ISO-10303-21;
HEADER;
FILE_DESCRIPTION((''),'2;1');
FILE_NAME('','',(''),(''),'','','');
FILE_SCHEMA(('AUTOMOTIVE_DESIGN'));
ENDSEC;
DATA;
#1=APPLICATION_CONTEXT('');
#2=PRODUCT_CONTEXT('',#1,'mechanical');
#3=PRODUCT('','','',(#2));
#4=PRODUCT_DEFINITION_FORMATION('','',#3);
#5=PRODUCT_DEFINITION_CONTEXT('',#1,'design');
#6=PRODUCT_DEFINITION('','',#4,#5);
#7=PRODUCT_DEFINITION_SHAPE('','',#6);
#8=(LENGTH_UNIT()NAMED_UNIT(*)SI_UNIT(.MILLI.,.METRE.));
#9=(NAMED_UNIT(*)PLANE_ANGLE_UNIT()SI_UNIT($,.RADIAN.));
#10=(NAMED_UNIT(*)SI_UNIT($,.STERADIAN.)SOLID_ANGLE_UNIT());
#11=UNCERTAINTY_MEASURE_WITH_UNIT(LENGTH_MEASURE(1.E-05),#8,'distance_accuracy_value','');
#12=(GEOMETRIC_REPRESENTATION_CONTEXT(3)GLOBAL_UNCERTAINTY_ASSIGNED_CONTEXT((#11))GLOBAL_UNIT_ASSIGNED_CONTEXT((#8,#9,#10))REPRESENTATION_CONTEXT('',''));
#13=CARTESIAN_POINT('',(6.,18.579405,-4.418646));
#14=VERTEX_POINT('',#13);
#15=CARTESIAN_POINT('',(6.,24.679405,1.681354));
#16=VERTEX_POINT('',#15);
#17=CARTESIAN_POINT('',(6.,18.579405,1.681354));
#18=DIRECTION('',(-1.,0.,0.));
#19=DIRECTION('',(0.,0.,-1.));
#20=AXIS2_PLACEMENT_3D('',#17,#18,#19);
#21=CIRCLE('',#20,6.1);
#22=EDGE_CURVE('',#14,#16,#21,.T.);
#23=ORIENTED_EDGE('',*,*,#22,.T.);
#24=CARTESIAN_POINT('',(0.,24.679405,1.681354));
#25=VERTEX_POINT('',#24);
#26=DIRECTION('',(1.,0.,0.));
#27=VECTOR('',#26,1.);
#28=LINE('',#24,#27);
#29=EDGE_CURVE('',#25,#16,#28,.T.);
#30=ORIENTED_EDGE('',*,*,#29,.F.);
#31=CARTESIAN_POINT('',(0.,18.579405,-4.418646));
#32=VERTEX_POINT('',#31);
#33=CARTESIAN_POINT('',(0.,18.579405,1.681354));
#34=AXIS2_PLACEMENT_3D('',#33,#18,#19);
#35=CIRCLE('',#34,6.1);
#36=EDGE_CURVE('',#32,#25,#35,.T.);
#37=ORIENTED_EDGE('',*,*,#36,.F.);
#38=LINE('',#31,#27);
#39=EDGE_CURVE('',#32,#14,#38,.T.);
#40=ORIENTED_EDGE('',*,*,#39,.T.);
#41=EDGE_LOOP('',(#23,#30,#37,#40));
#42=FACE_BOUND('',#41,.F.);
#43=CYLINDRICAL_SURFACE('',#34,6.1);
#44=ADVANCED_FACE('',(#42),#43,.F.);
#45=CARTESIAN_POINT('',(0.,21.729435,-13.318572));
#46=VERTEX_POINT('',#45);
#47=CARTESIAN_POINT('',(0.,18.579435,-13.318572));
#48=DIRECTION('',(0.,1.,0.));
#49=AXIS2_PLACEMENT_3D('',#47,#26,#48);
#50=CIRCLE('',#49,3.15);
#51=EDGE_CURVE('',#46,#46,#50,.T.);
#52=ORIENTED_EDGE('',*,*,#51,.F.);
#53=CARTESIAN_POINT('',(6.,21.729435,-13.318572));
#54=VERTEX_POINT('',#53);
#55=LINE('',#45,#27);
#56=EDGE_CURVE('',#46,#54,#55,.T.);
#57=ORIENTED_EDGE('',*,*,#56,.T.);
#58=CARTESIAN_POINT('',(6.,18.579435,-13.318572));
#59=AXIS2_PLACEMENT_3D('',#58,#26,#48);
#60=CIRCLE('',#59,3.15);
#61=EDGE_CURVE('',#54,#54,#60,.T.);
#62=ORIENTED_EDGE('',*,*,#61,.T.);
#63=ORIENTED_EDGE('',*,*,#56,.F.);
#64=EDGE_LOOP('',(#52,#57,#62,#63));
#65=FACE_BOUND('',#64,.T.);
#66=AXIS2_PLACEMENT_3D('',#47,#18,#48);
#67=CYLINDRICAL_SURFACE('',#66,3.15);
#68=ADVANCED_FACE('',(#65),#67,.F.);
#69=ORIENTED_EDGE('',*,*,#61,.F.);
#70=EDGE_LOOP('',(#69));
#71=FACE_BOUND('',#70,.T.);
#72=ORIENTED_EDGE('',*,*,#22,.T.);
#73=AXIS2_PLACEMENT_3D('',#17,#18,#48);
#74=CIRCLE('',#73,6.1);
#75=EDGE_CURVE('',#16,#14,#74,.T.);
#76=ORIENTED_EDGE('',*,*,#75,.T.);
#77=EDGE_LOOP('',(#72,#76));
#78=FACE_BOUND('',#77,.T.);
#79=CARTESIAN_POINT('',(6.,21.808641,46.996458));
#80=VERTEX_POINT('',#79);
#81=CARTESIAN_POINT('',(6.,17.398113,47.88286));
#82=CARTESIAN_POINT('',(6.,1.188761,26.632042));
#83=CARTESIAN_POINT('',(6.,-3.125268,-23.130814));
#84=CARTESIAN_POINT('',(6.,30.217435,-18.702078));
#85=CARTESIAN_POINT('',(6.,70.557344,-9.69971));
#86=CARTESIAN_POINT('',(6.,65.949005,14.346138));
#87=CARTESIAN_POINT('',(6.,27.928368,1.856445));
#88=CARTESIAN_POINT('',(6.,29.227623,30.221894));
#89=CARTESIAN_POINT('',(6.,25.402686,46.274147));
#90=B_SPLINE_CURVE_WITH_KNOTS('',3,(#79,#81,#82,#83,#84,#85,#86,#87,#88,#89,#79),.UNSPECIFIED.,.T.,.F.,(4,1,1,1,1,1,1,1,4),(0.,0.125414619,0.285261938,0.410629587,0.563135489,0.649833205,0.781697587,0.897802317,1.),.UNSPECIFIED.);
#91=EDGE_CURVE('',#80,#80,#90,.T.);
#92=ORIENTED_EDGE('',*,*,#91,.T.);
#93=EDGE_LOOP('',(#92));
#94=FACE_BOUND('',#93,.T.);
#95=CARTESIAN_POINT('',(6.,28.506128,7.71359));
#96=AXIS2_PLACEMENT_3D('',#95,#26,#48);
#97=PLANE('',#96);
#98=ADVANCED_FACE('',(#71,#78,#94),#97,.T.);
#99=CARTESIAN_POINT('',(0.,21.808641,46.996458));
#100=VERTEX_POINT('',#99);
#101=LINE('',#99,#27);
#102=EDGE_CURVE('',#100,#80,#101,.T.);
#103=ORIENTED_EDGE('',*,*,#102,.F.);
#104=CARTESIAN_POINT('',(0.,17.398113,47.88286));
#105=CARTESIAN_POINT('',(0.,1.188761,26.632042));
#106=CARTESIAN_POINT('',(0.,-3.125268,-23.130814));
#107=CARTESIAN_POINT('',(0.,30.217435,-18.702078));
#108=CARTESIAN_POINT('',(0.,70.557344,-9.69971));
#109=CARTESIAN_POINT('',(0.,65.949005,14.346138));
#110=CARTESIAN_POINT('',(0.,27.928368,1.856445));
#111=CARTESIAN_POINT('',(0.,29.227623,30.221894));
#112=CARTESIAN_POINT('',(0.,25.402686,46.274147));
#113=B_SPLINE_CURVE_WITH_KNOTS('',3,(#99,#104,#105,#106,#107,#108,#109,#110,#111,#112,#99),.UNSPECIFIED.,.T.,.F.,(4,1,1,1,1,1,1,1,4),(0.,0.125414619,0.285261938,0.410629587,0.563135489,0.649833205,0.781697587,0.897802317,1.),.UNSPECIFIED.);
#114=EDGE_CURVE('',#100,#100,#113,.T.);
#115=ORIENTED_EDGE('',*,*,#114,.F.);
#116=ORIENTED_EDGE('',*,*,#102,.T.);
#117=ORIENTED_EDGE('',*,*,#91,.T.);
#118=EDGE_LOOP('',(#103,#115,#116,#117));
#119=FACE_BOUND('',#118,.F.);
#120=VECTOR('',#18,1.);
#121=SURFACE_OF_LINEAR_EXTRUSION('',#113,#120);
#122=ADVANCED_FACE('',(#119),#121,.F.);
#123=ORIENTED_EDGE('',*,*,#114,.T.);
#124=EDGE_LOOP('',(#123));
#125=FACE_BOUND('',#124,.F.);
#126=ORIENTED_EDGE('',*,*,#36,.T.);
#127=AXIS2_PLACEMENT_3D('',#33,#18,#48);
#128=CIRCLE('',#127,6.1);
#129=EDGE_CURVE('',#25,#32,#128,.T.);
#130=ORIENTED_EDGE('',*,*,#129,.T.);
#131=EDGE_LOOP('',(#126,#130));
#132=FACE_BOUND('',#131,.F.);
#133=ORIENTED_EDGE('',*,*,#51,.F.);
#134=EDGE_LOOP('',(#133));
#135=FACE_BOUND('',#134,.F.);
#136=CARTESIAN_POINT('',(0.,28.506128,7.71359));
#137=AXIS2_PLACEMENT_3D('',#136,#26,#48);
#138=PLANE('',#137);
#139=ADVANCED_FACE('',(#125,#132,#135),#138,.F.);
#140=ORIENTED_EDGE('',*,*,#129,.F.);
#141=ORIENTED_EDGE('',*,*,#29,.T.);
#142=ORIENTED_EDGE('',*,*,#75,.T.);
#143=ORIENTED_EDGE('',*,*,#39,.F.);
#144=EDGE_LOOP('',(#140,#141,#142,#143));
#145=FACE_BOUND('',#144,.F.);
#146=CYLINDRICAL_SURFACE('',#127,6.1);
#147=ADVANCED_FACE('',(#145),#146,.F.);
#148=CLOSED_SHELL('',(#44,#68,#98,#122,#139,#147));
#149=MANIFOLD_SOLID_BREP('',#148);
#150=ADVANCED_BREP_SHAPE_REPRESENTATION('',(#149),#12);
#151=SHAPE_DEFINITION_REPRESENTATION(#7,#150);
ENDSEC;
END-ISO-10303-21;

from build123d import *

# Parameters (mm, degrees)
F3_DEPTH = 6
F1_R     = 2
F4_DEPTH = 6
F5_R     = 3.15
F6_DEPTH = 6


with BuildPart() as f3:
    # F0 (on Right) → F3 (new body)
    with BuildSketch(Plane.YZ):
        with BuildLine():
            add(Edge.make_bspline(
                [(21.8086410314, 46.9964575022), (17.3981131494, 47.8828598161), (1.1887611169, 26.6320423816), (-3.1252677895, -23.1308140173), (30.2174352156, -18.7020775832), (70.5573441287, -9.6997097106), (65.9490054224, 14.3461378849), (27.9283679632, 1.8564448745), (29.2276233484, 30.2218935803), (25.4026856023, 46.2741472688), (21.8086410314, 46.9964575022)],
                knots=[0, 0, 0, 0, 0.1254146193, 0.2852619379, 0.410629587, 0.5631354892, 0.6498332046, 0.7816975869, 0.8978023167, 1, 1, 1, 1], degree=3))
        make_face()
        with BuildLine():
            ThreePointArc((18.5794053599, -4.4186457679), (14.2660539947, 5.9947055974), (24.6794053599, 1.6813542321))
            ThreePointArc((24.6794053599, 1.6813542321), (22.8927567252, -2.6319971331), (18.5794053599, -4.4186457679))
        make_face(mode=Mode.SUBTRACT)
    extrude(amount=F3_DEPTH)

    # F1 (on Right) → F4 (cut)
    with BuildSketch(Plane.YZ):
        with Locations((18.5793489218, -13.3186234161)):
            Circle(F1_R)
    extrude(amount=F4_DEPTH, mode=Mode.SUBTRACT)

    # F5 (on Right) → F6 (cut)
    with BuildSketch(Plane.YZ):
        with Locations((18.5794346035, -13.3185721934)):
            Circle(F5_R)
    extrude(amount=F6_DEPTH, mode=Mode.SUBTRACT)


solid = f3.part
